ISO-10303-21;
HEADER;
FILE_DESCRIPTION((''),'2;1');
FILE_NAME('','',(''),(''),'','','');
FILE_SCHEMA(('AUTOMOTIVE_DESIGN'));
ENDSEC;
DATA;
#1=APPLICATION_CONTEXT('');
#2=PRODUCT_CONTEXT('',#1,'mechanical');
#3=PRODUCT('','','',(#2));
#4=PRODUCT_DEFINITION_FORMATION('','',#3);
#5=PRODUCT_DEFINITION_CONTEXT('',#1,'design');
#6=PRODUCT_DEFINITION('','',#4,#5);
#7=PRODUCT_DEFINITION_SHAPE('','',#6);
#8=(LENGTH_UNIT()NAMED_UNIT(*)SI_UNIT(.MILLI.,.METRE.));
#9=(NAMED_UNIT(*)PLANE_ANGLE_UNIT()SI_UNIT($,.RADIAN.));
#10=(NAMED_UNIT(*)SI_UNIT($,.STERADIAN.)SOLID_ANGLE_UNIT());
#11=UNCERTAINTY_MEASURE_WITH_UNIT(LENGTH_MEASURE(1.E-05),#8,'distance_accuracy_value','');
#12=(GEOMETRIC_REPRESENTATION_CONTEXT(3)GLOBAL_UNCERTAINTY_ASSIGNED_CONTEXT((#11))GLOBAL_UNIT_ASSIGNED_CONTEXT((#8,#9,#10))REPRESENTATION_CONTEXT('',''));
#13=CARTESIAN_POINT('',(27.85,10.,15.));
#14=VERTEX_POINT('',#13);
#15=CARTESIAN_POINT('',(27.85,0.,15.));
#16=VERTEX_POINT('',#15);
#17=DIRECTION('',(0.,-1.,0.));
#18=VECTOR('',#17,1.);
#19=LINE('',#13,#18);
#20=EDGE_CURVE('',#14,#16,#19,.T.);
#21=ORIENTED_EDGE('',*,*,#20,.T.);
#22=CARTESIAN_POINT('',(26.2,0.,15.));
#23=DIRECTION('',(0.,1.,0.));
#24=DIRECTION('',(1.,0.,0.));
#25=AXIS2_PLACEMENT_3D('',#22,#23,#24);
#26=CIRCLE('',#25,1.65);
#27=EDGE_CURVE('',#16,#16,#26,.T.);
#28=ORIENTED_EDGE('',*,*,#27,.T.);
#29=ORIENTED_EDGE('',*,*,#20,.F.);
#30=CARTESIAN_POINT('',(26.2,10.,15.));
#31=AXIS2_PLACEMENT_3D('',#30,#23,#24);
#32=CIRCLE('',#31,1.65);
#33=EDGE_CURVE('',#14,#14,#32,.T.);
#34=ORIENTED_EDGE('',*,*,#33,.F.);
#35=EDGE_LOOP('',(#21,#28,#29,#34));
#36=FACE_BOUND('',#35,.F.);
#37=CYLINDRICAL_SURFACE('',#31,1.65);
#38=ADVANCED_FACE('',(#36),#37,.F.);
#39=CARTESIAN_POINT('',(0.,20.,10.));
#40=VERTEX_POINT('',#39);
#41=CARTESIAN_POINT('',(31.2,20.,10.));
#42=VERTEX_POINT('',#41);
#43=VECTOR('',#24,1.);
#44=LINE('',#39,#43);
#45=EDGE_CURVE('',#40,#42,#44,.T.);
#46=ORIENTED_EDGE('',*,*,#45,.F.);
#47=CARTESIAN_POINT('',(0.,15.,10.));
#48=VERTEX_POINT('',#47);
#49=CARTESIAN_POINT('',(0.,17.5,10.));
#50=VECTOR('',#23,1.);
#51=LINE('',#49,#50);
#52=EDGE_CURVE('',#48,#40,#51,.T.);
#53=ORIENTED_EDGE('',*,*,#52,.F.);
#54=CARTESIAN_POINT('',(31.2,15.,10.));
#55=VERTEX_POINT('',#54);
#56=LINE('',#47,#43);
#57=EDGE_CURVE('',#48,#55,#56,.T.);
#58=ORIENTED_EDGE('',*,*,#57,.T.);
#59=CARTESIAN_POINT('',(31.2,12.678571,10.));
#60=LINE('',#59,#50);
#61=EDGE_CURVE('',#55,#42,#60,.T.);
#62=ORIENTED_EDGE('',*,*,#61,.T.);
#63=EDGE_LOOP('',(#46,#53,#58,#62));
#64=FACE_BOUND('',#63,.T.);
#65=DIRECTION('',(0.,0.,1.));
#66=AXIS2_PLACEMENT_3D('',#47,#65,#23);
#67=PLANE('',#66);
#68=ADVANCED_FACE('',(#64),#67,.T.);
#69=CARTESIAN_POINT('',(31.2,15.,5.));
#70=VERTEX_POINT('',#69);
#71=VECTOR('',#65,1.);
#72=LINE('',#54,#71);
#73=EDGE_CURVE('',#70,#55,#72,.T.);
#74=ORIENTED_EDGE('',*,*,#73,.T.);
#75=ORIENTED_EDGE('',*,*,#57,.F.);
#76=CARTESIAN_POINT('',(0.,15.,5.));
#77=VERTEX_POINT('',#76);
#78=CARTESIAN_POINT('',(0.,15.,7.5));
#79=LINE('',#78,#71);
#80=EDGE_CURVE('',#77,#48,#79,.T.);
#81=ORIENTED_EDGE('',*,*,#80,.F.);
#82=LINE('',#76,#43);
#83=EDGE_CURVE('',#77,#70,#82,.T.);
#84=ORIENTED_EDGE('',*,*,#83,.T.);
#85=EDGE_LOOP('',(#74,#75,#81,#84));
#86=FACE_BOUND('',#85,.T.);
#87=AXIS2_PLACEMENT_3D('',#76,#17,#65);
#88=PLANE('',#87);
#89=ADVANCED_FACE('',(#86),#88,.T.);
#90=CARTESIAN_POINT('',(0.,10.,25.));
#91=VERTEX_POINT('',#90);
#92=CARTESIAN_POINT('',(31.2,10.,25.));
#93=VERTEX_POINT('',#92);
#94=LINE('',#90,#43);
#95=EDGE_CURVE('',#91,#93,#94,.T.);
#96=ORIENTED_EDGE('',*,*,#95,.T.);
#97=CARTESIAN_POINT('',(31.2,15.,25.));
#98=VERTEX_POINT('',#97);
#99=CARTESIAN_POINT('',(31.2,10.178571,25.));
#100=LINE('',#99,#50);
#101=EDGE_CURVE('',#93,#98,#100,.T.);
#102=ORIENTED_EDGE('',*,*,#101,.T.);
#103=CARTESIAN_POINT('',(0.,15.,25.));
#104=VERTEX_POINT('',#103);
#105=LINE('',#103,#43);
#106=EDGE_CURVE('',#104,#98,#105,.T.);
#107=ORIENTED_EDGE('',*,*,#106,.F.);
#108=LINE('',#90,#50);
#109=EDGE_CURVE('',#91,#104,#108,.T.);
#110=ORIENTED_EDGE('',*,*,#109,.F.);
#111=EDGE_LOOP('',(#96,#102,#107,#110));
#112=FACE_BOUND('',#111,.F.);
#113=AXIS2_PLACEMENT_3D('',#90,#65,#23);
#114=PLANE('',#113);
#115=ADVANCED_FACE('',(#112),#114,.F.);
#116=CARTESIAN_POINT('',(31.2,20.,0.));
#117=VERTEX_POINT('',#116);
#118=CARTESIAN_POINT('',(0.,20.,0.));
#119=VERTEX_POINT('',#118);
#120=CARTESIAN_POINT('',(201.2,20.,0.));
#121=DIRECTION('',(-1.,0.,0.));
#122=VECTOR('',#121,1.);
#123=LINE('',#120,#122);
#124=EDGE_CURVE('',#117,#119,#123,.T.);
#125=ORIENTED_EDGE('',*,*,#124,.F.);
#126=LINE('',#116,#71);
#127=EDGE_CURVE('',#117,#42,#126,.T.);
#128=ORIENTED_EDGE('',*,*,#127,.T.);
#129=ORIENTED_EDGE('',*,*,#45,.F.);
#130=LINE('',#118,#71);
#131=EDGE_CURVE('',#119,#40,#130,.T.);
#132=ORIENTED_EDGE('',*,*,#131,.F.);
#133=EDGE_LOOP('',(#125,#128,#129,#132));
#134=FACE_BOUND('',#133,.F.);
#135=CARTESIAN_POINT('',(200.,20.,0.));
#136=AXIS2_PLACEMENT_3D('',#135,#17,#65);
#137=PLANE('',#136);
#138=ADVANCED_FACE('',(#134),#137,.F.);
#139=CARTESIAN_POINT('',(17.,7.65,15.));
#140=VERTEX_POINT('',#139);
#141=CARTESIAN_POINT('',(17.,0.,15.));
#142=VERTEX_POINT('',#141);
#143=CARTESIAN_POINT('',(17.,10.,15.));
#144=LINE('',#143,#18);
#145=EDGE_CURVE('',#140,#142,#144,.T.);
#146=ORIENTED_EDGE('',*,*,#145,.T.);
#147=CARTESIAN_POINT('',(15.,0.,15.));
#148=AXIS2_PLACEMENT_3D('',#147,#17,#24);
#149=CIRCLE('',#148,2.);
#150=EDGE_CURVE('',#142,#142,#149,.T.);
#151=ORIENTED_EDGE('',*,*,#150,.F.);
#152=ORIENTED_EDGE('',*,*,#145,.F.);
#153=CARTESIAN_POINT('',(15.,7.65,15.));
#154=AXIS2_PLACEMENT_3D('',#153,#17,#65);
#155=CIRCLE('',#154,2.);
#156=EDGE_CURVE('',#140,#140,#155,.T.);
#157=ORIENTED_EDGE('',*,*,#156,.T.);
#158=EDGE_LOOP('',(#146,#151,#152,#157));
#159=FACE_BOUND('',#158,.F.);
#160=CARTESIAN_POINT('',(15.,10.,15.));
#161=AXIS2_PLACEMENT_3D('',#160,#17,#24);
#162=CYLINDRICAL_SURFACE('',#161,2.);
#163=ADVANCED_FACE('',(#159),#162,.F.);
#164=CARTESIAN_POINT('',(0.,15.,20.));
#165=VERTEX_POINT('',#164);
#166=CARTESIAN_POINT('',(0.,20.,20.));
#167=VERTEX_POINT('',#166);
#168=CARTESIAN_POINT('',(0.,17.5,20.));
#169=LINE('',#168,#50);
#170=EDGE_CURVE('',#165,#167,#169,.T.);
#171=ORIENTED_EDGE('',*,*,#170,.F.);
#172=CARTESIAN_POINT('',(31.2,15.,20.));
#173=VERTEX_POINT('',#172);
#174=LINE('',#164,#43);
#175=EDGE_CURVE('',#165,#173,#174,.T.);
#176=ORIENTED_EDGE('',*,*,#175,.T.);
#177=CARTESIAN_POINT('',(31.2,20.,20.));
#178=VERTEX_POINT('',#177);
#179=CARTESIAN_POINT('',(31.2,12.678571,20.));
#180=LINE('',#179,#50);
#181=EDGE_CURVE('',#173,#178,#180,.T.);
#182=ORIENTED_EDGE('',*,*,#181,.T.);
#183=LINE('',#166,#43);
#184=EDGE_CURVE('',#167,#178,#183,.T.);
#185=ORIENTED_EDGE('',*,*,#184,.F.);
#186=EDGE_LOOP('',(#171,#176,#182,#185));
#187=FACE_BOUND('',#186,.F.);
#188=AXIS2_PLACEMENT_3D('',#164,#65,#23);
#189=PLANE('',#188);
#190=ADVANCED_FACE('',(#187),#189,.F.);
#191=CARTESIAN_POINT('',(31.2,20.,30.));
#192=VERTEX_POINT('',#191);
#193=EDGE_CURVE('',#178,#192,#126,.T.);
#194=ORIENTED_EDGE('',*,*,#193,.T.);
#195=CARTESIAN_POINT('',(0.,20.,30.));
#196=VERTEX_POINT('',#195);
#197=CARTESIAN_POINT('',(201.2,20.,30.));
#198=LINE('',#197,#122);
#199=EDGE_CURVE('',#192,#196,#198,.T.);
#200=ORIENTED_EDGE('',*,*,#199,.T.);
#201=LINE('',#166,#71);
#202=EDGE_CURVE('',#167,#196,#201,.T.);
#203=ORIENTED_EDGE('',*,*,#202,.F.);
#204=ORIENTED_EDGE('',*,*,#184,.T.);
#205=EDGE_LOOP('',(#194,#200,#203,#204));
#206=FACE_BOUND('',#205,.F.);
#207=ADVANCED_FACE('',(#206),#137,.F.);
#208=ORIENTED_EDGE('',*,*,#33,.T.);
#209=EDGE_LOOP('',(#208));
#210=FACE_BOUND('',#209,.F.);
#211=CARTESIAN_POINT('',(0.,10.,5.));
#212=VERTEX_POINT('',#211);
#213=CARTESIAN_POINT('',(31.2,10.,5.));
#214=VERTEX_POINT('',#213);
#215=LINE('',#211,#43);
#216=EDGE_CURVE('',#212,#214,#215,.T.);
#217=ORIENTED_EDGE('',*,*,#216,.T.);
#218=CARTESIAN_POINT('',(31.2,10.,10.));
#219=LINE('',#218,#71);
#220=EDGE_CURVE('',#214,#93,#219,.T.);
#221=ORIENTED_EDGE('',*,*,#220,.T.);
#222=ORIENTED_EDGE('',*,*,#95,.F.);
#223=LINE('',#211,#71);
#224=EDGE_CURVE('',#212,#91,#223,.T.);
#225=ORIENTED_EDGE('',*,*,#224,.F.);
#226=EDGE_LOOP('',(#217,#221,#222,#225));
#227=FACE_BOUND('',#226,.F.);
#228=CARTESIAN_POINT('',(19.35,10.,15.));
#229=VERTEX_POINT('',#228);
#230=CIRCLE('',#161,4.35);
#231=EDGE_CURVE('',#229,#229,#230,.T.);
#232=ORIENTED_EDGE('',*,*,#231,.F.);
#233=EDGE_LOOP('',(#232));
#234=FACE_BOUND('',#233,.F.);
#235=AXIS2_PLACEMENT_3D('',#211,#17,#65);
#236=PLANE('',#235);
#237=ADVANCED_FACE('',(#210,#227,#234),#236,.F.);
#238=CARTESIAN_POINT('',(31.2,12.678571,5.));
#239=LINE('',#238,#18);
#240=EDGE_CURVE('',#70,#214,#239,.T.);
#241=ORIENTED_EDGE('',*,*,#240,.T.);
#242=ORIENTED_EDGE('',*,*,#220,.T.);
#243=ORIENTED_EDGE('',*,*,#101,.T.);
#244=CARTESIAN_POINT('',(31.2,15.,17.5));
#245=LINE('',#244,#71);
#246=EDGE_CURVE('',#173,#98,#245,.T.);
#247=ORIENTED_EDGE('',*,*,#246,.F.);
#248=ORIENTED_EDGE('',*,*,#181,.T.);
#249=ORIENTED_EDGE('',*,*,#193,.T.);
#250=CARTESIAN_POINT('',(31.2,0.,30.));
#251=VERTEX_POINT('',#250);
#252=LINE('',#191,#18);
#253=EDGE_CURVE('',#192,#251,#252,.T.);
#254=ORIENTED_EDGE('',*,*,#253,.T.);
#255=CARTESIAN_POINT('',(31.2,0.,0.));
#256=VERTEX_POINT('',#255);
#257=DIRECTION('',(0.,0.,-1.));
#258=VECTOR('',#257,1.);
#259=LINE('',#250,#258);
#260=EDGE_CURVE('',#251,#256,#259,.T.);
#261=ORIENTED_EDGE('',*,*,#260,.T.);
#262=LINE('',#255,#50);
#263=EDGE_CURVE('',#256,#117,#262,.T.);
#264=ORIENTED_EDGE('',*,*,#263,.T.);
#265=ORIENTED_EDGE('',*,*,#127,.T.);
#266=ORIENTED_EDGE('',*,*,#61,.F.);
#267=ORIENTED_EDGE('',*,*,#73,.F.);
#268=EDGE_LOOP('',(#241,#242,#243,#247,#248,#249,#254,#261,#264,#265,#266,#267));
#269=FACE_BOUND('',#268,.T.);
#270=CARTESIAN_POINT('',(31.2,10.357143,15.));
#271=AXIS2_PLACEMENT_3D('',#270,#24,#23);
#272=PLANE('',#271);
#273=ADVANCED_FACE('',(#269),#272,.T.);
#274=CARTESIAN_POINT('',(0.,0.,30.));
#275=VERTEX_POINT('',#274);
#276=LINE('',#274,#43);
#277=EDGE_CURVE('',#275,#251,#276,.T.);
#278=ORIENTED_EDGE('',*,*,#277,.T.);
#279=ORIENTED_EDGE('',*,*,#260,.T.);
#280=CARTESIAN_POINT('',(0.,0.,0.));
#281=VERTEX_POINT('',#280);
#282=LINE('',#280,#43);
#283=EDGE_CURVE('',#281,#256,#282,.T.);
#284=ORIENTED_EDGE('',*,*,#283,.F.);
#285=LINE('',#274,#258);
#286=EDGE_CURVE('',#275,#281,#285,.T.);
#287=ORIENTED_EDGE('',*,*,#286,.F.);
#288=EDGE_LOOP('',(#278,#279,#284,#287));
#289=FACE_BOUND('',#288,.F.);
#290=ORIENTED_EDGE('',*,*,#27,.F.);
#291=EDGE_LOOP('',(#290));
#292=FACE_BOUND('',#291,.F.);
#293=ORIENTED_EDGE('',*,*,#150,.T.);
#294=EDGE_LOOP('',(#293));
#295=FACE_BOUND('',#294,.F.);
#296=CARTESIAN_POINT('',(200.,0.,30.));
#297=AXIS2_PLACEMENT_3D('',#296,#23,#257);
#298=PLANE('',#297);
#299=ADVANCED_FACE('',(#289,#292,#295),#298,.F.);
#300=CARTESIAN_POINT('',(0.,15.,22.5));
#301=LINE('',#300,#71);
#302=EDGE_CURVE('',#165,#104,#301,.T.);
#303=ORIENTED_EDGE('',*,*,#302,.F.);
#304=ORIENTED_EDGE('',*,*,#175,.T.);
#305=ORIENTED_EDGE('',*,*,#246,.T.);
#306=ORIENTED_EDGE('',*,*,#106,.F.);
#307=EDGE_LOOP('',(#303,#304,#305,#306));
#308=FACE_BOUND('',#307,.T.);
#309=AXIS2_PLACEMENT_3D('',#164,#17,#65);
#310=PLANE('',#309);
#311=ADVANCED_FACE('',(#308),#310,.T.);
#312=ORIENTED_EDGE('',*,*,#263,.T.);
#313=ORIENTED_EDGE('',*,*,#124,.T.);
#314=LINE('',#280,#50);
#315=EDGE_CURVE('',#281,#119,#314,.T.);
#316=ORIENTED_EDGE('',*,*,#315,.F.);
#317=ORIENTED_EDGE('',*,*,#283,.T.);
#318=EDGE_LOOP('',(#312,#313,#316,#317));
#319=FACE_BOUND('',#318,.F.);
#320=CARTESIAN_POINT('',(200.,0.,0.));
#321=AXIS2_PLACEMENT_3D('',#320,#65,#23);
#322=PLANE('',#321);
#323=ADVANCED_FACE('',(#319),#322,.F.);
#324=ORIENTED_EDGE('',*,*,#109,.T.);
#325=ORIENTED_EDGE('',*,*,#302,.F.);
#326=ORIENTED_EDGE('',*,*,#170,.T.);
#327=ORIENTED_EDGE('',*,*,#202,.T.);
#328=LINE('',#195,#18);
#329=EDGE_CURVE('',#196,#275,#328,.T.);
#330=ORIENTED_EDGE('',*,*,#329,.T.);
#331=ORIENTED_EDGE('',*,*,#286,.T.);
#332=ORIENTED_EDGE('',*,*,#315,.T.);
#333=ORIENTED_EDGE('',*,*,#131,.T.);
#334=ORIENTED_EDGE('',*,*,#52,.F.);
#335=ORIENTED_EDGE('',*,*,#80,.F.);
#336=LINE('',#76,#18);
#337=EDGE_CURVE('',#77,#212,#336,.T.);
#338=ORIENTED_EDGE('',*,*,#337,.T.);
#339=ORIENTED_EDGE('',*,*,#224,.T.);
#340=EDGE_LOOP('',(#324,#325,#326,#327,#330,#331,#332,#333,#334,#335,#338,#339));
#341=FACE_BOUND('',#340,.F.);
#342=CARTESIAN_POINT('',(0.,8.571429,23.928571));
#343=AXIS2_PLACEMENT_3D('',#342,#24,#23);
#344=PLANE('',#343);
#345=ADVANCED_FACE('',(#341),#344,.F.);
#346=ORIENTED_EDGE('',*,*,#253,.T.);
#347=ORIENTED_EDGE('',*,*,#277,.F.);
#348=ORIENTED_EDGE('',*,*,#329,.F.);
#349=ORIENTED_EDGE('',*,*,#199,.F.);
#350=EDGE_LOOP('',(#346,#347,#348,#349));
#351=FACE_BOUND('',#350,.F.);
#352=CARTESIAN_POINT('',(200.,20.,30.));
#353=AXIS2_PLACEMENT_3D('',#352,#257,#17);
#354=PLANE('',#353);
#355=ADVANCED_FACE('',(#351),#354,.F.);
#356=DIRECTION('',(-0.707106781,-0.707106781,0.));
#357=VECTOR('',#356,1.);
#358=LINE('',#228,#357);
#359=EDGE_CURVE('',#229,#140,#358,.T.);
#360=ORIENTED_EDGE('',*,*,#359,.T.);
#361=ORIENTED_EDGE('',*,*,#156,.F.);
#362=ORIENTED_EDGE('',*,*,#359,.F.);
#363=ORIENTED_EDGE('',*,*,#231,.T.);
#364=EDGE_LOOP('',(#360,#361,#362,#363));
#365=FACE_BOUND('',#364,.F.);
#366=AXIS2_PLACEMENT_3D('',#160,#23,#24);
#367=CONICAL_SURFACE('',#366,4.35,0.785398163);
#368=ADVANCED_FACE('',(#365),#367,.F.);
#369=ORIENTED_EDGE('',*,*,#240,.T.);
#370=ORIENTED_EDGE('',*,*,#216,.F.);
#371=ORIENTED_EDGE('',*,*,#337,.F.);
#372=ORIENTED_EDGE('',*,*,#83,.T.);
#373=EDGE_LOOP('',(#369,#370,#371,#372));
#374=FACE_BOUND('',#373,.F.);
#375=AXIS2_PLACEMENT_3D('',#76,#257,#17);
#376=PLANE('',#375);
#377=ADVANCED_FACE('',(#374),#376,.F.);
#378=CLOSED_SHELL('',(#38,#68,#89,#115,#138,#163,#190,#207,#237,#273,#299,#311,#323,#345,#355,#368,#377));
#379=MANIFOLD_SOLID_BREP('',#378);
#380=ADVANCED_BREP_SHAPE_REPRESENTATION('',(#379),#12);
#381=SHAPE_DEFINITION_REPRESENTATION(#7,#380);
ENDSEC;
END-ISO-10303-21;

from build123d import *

# Parameters (mm, degrees)
F0_W           = 5
F0_H           = 5
F1_DEPTH       = 200
F3_DEPTH       = 1.2
F5_D           = 4
F5_CSINK_D     = 8.7
F5_CSINK_ANGLE = 90
F6_DEPTH       = 170
F8_DEPTH       = 25


with BuildPart() as f1:
    # F0 (on Right) → F1 (new body)
    with BuildSketch(Plane.YZ):
        Polygon((0, 30), (0, 15), (6.1031254008, 15), (10, 15), (10, 25), (15, 25), (20, 25), (20, 30), align=None)
        with Locations((17.5, 22.5)):
            Rectangle(F0_W, F0_H)
        with Locations((17.5, 7.5)):
            Rectangle(F0_W, F0_H)
        Polygon((0, 15), (0, 0), (20, 0), (20, 5), (15, 5), (10, 5), (10, 15), (6.1031254008, 15), align=None)
    extrude(amount=F1_DEPTH)

    # F2 (on face) → F3 (join)
    with BuildSketch(Plane.YZ.offset(200)):
        Polygon((20, 30), (0, 30), (0, 0), (20, 0), (20, 10), (15, 10), (15, 5), (10, 5), (10, 25), (15, 25), (15, 20), (20, 20), align=None)
        Polygon((20, 10), (20, 20), (15, 20), (15, 25), (10, 25), (10, 5), (15, 5), (15, 10), align=None)
    extrude(amount=F3_DEPTH)

    # F5 (through all)
    with Locations(Plane(origin=(0, 10, 0), x_dir=(-1, 0, 0), z_dir=(0, 1, 0))):
        with Locations((-15, 15), (-185, 15), (-100, 15)):
            CounterSinkHole(F5_D / 2, F5_CSINK_D / 2, counter_sink_angle=F5_CSINK_ANGLE)

    # F6 (cut): a face of the model
    f6_faces = [f1.faces().sort_by_distance(p)[0] for p in [
        (201.2, 10, 15),
    ]]
    extrude(f6_faces, amount=-F6_DEPTH, mode=Mode.SUBTRACT)

    # F7 (on face) → F8 (cut)
    with BuildSketch(Plane(origin=(0, 10, 0), x_dir=(-1, 0, 0), z_dir=(0, 1, 0))):
        with BuildLine():
            ThreePointArc((-27.85, 15), (-26.2, 13.35), (-24.55, 15))
            ThreePointArc((-24.55, 15), (-26.2, 16.65), (-27.85, 15))
        make_face()
        with BuildLine():
            ThreePointArc((-24.55, 15), (-26.2, 16.65), (-27.85, 15))
            ThreePointArc((-27.85, 15), (-26.2, 13.35), (-24.55, 15))
        make_face()
    extrude(amount=-F8_DEPTH, mode=Mode.SUBTRACT)


solid = f1.part
